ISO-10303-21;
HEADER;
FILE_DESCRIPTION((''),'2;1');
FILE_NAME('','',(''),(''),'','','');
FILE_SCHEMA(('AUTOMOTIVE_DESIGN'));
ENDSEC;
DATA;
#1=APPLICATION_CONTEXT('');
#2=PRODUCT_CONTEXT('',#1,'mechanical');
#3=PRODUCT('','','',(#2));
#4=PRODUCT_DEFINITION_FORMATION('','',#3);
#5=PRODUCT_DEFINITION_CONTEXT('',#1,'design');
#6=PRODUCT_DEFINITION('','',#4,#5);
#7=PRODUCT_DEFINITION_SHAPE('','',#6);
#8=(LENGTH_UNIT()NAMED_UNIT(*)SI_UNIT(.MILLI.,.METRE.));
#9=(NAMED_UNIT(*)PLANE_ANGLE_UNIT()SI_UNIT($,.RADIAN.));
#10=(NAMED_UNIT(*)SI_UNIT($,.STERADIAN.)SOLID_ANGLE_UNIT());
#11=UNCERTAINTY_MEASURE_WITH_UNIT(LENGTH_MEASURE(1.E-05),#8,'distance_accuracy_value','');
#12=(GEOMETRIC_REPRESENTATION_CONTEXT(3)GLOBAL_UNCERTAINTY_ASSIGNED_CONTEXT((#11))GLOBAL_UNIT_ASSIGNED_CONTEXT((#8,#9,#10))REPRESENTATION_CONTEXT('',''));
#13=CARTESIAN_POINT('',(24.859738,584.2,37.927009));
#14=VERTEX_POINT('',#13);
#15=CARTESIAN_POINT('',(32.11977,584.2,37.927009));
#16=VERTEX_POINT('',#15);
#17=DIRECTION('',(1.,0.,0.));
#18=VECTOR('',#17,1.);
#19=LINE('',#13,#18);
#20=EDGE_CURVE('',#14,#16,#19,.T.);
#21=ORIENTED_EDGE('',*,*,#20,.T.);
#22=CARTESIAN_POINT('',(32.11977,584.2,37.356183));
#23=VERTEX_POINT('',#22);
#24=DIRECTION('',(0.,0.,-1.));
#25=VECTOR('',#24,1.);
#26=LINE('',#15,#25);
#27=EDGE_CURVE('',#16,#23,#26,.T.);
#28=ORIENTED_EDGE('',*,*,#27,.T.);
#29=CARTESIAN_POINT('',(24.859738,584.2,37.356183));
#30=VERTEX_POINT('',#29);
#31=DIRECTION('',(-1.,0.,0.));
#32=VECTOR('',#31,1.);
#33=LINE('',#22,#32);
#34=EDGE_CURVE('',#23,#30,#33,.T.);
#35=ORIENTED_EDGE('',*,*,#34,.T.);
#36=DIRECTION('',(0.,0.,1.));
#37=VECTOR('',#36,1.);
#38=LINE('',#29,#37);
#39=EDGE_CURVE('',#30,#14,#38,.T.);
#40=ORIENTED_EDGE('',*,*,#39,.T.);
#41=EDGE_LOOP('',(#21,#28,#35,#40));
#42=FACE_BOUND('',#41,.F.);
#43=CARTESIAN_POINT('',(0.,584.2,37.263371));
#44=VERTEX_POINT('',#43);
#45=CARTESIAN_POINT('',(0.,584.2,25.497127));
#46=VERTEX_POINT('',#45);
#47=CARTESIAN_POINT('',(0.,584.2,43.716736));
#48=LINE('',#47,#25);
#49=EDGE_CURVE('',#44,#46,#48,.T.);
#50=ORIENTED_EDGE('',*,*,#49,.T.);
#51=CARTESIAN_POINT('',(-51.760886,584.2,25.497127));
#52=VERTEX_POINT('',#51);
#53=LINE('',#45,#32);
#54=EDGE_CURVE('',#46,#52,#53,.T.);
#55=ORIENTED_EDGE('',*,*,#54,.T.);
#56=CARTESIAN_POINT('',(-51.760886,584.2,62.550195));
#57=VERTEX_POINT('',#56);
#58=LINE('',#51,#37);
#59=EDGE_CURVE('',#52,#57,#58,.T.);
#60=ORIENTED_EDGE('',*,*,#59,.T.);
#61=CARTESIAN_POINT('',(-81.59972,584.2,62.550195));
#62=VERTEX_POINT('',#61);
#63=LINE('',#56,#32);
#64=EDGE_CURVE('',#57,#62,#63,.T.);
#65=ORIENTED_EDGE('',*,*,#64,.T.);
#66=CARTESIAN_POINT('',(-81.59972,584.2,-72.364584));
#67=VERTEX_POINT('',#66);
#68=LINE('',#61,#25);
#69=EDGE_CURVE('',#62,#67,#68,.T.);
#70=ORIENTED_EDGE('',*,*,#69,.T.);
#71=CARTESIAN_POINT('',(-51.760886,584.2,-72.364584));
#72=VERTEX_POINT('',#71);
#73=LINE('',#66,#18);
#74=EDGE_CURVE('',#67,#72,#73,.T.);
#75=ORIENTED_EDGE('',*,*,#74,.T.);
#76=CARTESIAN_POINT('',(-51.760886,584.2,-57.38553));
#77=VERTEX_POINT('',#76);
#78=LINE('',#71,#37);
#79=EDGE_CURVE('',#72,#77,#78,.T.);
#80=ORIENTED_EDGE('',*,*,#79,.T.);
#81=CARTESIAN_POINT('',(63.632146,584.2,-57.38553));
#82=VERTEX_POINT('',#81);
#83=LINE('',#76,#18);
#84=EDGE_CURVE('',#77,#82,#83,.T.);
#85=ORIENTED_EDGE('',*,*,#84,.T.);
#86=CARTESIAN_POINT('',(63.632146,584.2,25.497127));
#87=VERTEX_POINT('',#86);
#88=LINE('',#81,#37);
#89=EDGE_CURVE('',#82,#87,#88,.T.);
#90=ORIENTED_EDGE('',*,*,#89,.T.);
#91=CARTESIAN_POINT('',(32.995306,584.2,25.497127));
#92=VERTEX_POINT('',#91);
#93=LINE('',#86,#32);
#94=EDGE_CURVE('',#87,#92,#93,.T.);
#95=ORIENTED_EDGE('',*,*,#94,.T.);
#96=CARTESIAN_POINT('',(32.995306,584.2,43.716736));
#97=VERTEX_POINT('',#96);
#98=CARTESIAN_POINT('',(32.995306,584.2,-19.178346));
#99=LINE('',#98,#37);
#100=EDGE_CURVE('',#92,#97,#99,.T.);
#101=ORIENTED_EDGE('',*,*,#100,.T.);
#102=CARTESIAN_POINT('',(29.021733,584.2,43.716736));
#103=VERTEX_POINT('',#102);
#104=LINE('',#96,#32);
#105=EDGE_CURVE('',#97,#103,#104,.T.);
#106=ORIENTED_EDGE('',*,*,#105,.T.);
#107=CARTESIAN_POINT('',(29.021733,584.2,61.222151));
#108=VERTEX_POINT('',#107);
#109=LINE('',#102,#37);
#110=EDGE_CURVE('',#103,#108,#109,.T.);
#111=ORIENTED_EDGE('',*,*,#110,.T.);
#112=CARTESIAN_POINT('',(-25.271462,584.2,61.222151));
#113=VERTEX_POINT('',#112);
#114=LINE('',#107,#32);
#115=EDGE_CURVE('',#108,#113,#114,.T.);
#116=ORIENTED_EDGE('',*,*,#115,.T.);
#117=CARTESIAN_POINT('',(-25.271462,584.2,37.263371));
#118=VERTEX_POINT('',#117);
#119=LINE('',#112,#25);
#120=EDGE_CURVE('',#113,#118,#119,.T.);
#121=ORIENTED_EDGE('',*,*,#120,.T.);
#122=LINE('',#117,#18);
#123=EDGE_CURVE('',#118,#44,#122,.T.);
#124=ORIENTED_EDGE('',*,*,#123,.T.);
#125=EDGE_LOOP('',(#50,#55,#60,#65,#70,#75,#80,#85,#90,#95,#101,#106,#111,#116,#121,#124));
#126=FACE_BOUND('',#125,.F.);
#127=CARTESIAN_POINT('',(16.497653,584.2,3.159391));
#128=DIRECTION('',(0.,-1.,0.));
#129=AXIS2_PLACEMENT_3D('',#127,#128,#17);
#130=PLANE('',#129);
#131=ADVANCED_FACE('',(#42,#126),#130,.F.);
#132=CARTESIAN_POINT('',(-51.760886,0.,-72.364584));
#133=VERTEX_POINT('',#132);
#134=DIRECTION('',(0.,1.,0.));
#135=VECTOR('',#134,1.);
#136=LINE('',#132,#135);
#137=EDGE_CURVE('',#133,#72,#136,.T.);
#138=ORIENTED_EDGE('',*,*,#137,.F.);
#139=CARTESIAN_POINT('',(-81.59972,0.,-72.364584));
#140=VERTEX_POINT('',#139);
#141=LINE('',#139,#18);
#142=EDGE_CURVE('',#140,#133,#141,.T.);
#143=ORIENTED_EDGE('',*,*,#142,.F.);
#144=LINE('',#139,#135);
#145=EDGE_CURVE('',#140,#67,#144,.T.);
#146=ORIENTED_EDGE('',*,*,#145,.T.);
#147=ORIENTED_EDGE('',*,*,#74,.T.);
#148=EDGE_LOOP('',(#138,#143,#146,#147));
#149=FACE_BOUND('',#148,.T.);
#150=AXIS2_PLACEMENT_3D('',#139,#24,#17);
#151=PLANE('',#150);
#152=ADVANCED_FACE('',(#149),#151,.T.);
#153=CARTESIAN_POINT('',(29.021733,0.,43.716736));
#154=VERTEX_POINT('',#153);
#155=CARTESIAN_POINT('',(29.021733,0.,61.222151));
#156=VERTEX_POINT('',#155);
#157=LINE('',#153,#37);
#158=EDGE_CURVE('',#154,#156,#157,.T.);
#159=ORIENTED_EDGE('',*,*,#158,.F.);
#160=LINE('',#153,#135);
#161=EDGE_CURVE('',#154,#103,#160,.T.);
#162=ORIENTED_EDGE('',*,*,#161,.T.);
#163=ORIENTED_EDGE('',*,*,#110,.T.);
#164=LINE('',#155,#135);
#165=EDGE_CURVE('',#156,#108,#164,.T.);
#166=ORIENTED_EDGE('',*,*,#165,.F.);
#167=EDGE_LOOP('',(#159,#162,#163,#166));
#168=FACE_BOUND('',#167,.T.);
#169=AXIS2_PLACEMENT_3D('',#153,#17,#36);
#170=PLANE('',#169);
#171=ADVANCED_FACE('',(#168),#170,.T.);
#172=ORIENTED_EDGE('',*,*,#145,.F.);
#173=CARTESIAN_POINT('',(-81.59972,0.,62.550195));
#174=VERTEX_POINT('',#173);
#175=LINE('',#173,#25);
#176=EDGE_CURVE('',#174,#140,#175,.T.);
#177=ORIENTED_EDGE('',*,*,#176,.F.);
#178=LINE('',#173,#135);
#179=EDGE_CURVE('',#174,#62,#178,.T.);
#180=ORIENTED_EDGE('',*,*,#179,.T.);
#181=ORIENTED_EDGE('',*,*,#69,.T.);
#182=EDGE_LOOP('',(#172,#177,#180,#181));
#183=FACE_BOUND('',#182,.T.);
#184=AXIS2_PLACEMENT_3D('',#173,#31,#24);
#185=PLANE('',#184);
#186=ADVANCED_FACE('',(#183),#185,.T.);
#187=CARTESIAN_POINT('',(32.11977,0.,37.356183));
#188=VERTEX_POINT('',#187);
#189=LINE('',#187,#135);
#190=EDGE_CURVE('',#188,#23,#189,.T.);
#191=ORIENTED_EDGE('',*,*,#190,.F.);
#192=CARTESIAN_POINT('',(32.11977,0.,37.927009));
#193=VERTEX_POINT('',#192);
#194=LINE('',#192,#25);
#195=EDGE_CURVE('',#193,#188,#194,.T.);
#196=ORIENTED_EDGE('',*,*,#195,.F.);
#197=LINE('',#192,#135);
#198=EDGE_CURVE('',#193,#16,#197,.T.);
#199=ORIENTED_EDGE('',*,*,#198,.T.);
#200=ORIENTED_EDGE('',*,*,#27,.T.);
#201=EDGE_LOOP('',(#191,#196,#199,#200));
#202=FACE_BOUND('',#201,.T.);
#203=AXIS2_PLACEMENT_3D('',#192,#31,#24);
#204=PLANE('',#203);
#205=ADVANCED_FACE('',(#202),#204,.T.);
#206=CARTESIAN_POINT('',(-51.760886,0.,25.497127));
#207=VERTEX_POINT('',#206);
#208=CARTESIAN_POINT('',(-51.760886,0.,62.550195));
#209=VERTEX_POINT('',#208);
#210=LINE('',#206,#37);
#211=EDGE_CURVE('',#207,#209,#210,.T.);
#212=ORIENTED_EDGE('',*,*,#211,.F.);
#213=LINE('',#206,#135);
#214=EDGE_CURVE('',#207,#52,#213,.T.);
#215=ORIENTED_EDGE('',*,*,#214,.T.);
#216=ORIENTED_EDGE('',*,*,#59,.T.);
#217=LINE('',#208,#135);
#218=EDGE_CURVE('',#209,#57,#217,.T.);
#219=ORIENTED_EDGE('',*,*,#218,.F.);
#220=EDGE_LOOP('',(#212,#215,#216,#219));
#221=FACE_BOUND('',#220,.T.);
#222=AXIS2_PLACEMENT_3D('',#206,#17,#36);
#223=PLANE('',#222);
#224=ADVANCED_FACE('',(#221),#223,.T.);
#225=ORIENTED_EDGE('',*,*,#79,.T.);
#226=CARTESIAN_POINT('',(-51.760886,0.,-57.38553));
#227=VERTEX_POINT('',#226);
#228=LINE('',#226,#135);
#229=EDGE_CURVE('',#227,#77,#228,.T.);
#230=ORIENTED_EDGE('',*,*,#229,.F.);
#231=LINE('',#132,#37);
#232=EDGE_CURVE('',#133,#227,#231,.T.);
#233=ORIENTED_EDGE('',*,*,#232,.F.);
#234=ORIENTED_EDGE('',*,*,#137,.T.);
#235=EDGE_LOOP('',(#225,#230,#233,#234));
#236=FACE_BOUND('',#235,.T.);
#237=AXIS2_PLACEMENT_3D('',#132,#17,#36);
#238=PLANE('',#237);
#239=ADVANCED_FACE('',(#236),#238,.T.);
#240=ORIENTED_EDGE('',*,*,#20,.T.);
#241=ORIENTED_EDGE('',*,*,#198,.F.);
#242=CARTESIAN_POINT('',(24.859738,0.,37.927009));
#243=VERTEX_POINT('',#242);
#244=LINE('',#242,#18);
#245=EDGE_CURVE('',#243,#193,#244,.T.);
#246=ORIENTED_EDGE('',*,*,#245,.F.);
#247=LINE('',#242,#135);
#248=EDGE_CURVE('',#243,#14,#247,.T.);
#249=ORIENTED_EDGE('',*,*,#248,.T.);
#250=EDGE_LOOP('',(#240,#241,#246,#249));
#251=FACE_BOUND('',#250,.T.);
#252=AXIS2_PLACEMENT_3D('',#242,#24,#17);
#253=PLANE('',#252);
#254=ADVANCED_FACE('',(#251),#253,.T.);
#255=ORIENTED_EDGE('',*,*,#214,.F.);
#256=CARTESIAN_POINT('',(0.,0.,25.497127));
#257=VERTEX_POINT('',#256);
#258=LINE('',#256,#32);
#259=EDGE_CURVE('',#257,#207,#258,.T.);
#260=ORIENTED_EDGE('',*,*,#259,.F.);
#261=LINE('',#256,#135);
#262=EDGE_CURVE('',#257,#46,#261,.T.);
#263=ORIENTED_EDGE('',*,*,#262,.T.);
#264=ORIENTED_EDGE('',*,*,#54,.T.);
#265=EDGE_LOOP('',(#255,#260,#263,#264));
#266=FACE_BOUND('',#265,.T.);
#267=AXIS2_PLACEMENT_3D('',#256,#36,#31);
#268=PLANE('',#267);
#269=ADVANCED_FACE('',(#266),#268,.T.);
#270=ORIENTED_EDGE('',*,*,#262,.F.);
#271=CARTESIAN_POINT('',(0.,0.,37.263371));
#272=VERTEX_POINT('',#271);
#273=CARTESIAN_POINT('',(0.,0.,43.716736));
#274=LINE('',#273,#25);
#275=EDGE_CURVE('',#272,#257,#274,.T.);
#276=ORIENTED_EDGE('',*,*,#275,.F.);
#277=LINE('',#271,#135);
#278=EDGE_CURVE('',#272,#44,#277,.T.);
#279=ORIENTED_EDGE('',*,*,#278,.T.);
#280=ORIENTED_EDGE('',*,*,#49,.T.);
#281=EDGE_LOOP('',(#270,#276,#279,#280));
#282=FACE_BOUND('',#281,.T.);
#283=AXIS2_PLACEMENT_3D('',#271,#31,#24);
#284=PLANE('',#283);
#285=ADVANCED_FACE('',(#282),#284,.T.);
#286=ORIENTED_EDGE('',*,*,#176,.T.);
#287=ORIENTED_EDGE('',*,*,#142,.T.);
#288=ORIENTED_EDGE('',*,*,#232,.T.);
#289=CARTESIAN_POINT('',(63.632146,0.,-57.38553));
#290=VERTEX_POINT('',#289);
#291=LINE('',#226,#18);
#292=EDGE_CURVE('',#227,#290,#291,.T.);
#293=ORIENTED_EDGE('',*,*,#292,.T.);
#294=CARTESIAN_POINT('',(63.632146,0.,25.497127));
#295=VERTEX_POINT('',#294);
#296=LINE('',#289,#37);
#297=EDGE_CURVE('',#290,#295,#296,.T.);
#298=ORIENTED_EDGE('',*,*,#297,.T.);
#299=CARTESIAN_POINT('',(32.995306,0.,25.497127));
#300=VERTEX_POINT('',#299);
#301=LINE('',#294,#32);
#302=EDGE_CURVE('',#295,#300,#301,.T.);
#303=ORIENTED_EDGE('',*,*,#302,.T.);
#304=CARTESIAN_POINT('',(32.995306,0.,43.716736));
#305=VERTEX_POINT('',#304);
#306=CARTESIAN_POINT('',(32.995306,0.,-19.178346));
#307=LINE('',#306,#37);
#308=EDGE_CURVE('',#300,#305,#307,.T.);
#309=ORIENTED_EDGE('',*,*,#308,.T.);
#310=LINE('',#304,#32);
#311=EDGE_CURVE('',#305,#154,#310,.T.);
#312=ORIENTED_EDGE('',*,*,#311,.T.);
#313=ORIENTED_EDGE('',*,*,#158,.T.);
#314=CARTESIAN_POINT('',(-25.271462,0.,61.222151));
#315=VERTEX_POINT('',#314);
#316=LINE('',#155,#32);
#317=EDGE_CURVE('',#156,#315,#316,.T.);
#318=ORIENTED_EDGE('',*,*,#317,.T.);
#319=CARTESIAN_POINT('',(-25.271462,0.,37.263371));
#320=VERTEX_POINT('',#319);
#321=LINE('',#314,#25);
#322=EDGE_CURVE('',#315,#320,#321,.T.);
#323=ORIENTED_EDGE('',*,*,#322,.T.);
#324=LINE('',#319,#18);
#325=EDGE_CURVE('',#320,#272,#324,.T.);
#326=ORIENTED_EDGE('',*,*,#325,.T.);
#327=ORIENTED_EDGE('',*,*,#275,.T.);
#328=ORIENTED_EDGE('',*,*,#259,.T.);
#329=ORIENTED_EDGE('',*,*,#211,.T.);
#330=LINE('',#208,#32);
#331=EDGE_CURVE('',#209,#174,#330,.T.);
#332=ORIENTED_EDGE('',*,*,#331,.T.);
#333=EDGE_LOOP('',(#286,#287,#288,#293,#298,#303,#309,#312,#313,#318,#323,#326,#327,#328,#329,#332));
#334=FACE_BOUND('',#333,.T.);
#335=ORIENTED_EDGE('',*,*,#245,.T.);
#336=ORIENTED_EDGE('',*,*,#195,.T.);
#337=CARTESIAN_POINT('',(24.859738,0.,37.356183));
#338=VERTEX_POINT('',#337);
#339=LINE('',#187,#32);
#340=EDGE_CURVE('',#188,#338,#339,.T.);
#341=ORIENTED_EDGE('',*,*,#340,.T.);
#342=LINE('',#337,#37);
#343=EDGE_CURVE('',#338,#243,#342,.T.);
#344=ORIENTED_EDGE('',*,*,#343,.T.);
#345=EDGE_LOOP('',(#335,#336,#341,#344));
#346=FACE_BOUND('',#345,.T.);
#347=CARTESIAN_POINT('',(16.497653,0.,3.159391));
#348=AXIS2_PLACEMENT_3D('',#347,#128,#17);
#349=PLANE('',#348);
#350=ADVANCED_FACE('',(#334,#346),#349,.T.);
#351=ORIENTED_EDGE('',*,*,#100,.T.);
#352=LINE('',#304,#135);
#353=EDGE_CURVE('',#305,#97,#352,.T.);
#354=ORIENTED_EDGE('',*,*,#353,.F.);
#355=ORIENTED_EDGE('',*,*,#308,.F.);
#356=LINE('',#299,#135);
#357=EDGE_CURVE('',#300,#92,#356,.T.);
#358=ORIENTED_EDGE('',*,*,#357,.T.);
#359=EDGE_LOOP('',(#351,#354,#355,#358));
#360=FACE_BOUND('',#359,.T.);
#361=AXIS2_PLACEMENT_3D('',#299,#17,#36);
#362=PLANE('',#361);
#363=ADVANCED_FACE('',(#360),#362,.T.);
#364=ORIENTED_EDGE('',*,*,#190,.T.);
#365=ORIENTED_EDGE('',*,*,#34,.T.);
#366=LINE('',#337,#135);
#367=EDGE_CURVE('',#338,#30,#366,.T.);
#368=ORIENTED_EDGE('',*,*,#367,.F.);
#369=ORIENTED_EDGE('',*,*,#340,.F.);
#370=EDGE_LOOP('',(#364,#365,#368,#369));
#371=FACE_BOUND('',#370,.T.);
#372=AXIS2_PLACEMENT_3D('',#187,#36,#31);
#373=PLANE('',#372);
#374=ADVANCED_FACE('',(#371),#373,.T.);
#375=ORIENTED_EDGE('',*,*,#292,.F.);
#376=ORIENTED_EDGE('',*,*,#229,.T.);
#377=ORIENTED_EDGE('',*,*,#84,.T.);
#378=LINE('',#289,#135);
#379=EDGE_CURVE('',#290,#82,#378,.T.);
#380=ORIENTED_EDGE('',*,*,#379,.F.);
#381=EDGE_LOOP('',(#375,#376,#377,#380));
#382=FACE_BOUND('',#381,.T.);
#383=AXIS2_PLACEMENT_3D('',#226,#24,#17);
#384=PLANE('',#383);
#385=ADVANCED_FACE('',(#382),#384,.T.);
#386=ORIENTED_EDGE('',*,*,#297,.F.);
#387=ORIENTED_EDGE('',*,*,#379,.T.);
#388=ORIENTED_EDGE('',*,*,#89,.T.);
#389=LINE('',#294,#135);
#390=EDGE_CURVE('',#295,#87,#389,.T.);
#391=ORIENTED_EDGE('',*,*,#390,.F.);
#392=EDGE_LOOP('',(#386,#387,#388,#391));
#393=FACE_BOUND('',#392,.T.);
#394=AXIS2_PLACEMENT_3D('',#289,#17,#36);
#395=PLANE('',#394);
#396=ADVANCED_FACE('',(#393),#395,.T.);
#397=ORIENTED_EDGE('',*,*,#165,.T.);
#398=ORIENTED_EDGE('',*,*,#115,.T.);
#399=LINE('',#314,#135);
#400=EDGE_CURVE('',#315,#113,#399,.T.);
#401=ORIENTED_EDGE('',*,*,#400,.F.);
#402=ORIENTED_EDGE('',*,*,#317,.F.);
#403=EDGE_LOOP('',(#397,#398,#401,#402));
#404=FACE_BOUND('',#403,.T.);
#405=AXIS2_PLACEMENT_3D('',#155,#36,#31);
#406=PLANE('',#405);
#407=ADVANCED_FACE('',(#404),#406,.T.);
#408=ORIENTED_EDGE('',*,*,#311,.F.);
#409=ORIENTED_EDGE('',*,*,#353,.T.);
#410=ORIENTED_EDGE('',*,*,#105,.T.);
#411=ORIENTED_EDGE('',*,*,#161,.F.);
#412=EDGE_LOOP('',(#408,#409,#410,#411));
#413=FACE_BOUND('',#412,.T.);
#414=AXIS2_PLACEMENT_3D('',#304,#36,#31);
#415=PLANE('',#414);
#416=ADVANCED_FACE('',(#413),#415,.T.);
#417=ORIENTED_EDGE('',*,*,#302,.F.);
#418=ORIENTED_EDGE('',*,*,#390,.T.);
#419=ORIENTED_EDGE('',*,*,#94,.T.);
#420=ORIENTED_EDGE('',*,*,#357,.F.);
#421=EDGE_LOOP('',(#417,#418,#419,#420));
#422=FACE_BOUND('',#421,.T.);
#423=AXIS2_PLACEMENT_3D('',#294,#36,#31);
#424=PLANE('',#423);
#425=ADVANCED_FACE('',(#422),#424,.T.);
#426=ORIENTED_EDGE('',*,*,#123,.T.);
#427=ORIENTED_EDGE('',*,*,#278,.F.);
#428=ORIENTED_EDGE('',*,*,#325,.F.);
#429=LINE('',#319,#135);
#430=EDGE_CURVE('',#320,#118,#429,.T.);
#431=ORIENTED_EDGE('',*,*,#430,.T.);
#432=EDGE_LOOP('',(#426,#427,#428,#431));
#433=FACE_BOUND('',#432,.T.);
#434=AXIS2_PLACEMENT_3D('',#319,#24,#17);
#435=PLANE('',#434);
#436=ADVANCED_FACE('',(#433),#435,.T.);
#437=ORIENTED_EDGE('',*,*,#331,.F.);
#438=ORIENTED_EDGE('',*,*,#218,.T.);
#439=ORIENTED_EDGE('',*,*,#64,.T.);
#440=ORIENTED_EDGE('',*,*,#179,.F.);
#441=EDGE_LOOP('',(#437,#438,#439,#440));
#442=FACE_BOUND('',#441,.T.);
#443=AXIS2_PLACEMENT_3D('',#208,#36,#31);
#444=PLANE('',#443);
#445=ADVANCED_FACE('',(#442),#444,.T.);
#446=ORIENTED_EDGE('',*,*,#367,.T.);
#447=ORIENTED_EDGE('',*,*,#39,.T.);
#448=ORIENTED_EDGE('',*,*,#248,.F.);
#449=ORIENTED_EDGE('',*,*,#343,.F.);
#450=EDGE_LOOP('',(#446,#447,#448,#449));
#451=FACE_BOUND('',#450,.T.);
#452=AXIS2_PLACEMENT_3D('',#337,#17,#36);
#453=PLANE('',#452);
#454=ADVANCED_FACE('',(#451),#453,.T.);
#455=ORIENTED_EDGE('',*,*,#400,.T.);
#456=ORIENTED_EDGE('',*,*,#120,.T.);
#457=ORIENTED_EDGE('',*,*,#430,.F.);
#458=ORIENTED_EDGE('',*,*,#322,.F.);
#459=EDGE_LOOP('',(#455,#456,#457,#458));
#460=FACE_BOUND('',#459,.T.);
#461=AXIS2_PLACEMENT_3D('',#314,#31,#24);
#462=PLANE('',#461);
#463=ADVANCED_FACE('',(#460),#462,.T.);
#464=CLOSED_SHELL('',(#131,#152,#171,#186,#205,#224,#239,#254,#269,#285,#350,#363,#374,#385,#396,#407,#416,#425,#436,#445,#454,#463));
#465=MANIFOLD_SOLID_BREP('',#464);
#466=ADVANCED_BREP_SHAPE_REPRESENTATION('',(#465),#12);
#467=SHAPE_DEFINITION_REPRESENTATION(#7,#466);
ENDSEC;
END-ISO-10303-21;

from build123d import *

# Parameters (mm, degrees)
F0_W     = 32.9953059554
F0_H     = 44.6754731238
F0_W_2   = 28.0995182693
F0_H_2   = 82.8826576471
F1_DEPTH = 584.2


with BuildPart() as f1:
    # F0 (on Front) → F1 (new body)
    with BuildSketch(Plane.XZ):
        with Locations((16.4976529777, 3.1593907624)):
            Rectangle(F0_W, F0_H)
        Polygon((-79.8604041338, 25.4971273243), (-51.7608858645, 25.4971273243), (-51.7608858645, 62.5501945615), (-81.5997198224, 62.5501945615), (-81.5997198224, -72.3645836115), (-51.7608858645, -72.3645836115), (-51.7608858645, -57.3855303228), (-79.8604041338, -57.3855303228), align=None)
        Polygon((32.119769603, 37.3561829329), (29.0217325091, 37.3561829329), (29.0217325091, 37.2633710504), (0, 37.2633710504), (0, 25.4971273243), (32.9953059554, 25.4971273243), (32.9953059554, 43.7167361379), (29.0217325091, 43.7167361379), (29.0217325091, 37.9270091653), (32.119769603, 37.9270091653), align=None)
        Polygon((0, -19.1783457994), (0, 25.4971273243), (-51.7608858645, 25.4971273243), (-51.7608858645, -57.3855303228), (63.632145524, -57.3855303228), (63.632145524, 25.4971273243), (32.9953059554, 25.4971273243), (32.9953059554, -19.1783457994), align=None)
        Polygon((29.0217325091, 37.3561829329), (24.8597376049, 37.3561829329), (24.8597376049, 37.9270091653), (29.0217325091, 37.9270091653), (29.0217325091, 43.7167361379), (0, 43.7167361379), (0, 37.2633710504), (29.0217325091, 37.2633710504), align=None)
        with Locations((-65.8106449991, -15.9442014992)):
            Rectangle(F0_W_2, F0_H_2)
        Polygon((0, 43.7167361379), (29.0217325091, 43.7167361379), (29.0217325091, 61.2221509218), (-25.2714622766, 61.2221509218), (-25.2714622766, 37.2633710504), (0, 37.2633710504), align=None)
    extrude(amount=-F1_DEPTH)


solid = f1.part
